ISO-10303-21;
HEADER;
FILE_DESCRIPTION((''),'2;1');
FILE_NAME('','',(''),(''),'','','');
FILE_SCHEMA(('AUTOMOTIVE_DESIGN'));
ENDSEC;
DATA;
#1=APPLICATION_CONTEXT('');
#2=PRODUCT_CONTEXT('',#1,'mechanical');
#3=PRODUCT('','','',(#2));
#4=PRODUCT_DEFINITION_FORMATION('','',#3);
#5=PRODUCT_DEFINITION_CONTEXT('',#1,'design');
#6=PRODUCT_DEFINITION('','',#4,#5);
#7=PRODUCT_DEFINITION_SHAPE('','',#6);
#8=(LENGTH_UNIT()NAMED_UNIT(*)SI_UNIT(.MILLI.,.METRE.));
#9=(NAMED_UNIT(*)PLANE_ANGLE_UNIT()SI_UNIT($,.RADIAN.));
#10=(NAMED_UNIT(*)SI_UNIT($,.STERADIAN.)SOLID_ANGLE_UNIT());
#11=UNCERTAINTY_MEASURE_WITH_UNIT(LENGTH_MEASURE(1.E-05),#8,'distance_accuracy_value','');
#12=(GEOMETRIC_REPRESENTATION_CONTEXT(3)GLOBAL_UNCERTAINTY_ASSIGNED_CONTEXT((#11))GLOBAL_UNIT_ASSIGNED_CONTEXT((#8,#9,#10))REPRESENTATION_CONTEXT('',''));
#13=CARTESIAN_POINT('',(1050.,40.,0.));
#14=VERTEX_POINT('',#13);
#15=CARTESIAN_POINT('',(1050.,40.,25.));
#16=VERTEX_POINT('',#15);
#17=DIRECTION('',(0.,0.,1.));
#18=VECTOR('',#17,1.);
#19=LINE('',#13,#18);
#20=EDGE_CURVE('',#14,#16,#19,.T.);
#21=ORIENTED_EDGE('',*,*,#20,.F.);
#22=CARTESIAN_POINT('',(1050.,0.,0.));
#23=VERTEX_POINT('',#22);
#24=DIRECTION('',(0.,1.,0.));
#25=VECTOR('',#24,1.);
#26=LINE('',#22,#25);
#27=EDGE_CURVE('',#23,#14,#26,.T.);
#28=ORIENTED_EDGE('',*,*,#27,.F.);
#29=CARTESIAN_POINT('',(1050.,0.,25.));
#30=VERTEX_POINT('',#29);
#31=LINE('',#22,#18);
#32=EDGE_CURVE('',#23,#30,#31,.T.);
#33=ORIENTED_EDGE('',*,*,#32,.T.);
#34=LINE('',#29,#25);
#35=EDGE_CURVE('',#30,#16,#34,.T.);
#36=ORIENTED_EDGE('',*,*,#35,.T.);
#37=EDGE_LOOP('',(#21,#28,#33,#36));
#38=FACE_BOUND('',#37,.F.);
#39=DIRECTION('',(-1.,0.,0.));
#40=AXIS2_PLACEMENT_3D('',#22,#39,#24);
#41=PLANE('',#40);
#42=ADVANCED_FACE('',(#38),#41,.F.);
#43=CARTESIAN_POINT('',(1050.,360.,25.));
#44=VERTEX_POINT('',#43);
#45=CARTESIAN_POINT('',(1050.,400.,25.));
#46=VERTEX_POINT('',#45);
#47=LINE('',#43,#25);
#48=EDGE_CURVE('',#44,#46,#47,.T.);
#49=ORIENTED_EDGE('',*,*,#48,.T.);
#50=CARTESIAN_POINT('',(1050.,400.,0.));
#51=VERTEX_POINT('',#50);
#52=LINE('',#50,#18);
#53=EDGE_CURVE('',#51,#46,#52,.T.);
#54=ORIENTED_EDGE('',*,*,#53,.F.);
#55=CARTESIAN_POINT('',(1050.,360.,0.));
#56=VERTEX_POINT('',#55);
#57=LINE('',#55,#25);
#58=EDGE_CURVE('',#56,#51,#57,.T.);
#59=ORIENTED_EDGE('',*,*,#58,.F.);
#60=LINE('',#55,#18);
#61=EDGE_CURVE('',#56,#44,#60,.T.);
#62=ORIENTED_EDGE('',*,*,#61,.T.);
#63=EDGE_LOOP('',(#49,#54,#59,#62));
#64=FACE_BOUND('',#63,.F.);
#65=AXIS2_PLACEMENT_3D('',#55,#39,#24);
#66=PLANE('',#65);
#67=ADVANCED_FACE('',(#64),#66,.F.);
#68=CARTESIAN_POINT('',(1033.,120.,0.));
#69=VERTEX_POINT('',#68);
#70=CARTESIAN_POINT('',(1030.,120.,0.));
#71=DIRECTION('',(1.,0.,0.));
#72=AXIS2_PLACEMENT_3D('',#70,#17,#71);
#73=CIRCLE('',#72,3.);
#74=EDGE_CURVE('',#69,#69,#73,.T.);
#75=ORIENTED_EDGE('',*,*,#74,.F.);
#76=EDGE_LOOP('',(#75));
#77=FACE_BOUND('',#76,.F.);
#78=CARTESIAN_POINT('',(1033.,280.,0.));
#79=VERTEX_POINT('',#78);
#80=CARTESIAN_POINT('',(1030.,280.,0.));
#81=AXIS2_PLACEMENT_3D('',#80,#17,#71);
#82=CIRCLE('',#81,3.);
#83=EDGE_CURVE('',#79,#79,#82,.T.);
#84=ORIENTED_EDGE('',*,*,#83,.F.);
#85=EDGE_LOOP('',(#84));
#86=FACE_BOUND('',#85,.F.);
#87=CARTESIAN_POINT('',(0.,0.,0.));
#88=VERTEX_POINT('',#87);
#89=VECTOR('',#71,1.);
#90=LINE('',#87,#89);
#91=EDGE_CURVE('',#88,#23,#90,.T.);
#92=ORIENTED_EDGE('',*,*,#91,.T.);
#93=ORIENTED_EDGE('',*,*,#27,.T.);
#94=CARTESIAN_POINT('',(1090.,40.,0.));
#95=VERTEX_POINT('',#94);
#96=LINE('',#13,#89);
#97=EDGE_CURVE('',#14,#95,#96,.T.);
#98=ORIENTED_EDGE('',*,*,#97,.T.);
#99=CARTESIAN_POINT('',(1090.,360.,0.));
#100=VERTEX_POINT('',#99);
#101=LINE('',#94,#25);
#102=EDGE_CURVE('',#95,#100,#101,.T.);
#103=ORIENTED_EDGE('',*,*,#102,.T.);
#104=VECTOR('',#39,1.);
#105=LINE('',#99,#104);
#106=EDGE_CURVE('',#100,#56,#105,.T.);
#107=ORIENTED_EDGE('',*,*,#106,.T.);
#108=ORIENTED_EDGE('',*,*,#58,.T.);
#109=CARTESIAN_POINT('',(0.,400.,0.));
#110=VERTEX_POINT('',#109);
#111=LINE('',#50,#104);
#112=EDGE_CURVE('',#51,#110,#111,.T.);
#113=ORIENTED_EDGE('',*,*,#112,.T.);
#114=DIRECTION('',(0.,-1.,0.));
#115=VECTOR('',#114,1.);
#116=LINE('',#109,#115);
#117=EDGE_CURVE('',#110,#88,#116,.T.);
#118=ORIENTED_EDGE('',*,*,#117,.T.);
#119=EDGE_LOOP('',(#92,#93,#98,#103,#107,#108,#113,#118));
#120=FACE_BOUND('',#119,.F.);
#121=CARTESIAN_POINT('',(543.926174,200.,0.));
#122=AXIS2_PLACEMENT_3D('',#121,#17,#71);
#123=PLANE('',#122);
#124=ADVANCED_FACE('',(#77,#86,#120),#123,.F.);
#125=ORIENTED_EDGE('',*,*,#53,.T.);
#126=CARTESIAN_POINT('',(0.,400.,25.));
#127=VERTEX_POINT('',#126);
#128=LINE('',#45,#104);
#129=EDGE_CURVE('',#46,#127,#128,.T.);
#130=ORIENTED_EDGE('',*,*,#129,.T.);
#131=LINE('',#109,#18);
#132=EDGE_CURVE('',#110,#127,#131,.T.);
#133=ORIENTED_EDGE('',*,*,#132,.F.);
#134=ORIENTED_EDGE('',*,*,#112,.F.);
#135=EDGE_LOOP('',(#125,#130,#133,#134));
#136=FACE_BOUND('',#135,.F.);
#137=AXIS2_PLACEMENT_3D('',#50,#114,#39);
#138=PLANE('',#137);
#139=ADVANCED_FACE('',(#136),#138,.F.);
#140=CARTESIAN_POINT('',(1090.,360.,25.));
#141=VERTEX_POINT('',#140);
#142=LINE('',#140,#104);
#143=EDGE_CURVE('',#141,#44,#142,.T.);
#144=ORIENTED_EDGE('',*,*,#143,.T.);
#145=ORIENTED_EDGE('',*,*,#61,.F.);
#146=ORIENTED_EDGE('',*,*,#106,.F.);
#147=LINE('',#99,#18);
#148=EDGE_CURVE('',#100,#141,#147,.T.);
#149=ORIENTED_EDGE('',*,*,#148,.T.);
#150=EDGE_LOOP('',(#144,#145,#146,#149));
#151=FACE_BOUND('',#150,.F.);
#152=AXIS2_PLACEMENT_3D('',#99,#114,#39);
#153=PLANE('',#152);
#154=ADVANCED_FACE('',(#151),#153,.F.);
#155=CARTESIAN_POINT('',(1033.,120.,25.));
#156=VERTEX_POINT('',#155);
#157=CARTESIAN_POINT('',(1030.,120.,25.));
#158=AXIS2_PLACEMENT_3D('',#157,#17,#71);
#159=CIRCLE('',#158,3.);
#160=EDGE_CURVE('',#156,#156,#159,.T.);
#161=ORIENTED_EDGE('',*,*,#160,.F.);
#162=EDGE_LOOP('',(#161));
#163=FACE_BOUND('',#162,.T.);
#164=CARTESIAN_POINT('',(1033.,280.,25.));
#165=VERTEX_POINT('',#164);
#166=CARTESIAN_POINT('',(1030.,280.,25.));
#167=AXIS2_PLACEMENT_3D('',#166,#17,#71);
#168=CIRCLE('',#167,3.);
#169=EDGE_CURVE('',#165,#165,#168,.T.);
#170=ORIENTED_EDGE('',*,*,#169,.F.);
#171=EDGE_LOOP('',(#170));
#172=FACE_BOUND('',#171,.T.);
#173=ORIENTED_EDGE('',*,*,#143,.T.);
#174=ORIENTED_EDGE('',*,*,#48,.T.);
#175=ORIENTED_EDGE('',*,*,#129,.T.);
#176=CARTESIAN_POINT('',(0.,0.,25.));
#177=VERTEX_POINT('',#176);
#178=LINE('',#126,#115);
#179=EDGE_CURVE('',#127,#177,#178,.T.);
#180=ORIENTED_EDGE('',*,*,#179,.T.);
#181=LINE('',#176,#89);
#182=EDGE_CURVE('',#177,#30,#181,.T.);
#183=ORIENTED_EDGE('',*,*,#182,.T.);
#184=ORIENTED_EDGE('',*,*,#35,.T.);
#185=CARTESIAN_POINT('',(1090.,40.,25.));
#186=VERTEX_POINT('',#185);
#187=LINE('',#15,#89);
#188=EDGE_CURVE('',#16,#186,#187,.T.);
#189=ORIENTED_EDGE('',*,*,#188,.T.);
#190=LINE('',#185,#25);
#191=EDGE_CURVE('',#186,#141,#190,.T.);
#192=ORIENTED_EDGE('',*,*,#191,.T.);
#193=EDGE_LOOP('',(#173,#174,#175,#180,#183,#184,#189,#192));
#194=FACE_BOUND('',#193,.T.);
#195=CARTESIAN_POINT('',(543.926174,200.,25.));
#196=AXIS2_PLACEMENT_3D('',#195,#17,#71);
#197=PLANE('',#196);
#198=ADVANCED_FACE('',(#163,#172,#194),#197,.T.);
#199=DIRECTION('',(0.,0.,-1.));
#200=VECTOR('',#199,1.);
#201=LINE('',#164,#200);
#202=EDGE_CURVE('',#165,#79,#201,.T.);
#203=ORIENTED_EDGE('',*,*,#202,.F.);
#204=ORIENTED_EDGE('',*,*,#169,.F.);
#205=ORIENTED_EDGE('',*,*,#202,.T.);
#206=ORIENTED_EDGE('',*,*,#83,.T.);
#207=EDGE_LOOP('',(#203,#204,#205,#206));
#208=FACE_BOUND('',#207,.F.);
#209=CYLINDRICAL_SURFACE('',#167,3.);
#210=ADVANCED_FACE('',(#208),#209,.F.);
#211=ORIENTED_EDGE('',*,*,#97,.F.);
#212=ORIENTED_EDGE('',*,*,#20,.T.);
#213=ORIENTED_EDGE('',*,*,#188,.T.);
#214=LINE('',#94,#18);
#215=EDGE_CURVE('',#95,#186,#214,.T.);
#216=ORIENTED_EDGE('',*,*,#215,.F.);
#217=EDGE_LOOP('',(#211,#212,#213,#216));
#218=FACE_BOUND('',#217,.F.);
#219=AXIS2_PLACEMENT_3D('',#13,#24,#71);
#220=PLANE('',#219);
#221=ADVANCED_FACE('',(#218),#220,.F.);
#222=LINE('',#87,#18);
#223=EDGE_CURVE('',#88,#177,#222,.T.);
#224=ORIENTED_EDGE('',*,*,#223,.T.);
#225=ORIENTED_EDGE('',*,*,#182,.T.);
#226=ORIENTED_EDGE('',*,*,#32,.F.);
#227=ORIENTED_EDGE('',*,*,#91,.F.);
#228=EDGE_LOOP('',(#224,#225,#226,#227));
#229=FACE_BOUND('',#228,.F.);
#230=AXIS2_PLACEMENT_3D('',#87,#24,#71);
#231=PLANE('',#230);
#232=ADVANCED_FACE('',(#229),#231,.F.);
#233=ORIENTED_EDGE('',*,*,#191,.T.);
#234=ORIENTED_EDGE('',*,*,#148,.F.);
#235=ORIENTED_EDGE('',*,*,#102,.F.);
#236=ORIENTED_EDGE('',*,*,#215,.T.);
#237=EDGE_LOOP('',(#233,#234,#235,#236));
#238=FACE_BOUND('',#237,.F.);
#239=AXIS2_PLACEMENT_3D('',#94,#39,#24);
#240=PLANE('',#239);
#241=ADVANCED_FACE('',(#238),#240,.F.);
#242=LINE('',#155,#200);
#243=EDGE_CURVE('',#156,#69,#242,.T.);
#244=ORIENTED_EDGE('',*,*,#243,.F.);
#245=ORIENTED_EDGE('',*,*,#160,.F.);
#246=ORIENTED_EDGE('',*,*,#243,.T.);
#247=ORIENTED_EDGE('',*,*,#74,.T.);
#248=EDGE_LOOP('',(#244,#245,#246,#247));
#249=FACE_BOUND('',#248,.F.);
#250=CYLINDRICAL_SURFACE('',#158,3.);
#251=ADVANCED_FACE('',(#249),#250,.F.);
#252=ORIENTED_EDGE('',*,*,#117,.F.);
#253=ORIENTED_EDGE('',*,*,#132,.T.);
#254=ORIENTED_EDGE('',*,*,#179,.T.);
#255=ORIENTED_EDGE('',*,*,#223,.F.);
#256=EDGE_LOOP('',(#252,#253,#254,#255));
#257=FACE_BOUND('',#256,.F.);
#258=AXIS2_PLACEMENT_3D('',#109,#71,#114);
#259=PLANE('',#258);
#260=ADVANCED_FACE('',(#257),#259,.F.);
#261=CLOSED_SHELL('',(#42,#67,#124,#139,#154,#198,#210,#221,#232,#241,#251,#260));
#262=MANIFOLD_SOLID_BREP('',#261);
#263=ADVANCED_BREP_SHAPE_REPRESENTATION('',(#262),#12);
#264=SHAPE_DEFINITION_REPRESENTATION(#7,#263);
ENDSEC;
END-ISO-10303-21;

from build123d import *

# Parameters (mm, degrees)
F2_DEPTH = 25
F0_R     = 3
F3_DEPTH = 25.001


with BuildPart() as f2:
    # F1 (on Top) → F2 (new body)
    with BuildSketch(Plane.XY):
        Polygon((0, 400), (0, 0), (1050, 0), (1050, 40), (1090, 40), (1090, 360), (1050, 360), (1050, 400), align=None)
    extrude(amount=F2_DEPTH)

    # F0 (on face) → F3 (cut, through all)
    with BuildSketch(Plane.XY.offset(25)):
        with Locations((1030, 120)):
            Circle(F0_R)
        with Locations((1030, 280)):
            Circle(F0_R)
    extrude(amount=-F3_DEPTH, mode=Mode.SUBTRACT)


solid = f2.part
